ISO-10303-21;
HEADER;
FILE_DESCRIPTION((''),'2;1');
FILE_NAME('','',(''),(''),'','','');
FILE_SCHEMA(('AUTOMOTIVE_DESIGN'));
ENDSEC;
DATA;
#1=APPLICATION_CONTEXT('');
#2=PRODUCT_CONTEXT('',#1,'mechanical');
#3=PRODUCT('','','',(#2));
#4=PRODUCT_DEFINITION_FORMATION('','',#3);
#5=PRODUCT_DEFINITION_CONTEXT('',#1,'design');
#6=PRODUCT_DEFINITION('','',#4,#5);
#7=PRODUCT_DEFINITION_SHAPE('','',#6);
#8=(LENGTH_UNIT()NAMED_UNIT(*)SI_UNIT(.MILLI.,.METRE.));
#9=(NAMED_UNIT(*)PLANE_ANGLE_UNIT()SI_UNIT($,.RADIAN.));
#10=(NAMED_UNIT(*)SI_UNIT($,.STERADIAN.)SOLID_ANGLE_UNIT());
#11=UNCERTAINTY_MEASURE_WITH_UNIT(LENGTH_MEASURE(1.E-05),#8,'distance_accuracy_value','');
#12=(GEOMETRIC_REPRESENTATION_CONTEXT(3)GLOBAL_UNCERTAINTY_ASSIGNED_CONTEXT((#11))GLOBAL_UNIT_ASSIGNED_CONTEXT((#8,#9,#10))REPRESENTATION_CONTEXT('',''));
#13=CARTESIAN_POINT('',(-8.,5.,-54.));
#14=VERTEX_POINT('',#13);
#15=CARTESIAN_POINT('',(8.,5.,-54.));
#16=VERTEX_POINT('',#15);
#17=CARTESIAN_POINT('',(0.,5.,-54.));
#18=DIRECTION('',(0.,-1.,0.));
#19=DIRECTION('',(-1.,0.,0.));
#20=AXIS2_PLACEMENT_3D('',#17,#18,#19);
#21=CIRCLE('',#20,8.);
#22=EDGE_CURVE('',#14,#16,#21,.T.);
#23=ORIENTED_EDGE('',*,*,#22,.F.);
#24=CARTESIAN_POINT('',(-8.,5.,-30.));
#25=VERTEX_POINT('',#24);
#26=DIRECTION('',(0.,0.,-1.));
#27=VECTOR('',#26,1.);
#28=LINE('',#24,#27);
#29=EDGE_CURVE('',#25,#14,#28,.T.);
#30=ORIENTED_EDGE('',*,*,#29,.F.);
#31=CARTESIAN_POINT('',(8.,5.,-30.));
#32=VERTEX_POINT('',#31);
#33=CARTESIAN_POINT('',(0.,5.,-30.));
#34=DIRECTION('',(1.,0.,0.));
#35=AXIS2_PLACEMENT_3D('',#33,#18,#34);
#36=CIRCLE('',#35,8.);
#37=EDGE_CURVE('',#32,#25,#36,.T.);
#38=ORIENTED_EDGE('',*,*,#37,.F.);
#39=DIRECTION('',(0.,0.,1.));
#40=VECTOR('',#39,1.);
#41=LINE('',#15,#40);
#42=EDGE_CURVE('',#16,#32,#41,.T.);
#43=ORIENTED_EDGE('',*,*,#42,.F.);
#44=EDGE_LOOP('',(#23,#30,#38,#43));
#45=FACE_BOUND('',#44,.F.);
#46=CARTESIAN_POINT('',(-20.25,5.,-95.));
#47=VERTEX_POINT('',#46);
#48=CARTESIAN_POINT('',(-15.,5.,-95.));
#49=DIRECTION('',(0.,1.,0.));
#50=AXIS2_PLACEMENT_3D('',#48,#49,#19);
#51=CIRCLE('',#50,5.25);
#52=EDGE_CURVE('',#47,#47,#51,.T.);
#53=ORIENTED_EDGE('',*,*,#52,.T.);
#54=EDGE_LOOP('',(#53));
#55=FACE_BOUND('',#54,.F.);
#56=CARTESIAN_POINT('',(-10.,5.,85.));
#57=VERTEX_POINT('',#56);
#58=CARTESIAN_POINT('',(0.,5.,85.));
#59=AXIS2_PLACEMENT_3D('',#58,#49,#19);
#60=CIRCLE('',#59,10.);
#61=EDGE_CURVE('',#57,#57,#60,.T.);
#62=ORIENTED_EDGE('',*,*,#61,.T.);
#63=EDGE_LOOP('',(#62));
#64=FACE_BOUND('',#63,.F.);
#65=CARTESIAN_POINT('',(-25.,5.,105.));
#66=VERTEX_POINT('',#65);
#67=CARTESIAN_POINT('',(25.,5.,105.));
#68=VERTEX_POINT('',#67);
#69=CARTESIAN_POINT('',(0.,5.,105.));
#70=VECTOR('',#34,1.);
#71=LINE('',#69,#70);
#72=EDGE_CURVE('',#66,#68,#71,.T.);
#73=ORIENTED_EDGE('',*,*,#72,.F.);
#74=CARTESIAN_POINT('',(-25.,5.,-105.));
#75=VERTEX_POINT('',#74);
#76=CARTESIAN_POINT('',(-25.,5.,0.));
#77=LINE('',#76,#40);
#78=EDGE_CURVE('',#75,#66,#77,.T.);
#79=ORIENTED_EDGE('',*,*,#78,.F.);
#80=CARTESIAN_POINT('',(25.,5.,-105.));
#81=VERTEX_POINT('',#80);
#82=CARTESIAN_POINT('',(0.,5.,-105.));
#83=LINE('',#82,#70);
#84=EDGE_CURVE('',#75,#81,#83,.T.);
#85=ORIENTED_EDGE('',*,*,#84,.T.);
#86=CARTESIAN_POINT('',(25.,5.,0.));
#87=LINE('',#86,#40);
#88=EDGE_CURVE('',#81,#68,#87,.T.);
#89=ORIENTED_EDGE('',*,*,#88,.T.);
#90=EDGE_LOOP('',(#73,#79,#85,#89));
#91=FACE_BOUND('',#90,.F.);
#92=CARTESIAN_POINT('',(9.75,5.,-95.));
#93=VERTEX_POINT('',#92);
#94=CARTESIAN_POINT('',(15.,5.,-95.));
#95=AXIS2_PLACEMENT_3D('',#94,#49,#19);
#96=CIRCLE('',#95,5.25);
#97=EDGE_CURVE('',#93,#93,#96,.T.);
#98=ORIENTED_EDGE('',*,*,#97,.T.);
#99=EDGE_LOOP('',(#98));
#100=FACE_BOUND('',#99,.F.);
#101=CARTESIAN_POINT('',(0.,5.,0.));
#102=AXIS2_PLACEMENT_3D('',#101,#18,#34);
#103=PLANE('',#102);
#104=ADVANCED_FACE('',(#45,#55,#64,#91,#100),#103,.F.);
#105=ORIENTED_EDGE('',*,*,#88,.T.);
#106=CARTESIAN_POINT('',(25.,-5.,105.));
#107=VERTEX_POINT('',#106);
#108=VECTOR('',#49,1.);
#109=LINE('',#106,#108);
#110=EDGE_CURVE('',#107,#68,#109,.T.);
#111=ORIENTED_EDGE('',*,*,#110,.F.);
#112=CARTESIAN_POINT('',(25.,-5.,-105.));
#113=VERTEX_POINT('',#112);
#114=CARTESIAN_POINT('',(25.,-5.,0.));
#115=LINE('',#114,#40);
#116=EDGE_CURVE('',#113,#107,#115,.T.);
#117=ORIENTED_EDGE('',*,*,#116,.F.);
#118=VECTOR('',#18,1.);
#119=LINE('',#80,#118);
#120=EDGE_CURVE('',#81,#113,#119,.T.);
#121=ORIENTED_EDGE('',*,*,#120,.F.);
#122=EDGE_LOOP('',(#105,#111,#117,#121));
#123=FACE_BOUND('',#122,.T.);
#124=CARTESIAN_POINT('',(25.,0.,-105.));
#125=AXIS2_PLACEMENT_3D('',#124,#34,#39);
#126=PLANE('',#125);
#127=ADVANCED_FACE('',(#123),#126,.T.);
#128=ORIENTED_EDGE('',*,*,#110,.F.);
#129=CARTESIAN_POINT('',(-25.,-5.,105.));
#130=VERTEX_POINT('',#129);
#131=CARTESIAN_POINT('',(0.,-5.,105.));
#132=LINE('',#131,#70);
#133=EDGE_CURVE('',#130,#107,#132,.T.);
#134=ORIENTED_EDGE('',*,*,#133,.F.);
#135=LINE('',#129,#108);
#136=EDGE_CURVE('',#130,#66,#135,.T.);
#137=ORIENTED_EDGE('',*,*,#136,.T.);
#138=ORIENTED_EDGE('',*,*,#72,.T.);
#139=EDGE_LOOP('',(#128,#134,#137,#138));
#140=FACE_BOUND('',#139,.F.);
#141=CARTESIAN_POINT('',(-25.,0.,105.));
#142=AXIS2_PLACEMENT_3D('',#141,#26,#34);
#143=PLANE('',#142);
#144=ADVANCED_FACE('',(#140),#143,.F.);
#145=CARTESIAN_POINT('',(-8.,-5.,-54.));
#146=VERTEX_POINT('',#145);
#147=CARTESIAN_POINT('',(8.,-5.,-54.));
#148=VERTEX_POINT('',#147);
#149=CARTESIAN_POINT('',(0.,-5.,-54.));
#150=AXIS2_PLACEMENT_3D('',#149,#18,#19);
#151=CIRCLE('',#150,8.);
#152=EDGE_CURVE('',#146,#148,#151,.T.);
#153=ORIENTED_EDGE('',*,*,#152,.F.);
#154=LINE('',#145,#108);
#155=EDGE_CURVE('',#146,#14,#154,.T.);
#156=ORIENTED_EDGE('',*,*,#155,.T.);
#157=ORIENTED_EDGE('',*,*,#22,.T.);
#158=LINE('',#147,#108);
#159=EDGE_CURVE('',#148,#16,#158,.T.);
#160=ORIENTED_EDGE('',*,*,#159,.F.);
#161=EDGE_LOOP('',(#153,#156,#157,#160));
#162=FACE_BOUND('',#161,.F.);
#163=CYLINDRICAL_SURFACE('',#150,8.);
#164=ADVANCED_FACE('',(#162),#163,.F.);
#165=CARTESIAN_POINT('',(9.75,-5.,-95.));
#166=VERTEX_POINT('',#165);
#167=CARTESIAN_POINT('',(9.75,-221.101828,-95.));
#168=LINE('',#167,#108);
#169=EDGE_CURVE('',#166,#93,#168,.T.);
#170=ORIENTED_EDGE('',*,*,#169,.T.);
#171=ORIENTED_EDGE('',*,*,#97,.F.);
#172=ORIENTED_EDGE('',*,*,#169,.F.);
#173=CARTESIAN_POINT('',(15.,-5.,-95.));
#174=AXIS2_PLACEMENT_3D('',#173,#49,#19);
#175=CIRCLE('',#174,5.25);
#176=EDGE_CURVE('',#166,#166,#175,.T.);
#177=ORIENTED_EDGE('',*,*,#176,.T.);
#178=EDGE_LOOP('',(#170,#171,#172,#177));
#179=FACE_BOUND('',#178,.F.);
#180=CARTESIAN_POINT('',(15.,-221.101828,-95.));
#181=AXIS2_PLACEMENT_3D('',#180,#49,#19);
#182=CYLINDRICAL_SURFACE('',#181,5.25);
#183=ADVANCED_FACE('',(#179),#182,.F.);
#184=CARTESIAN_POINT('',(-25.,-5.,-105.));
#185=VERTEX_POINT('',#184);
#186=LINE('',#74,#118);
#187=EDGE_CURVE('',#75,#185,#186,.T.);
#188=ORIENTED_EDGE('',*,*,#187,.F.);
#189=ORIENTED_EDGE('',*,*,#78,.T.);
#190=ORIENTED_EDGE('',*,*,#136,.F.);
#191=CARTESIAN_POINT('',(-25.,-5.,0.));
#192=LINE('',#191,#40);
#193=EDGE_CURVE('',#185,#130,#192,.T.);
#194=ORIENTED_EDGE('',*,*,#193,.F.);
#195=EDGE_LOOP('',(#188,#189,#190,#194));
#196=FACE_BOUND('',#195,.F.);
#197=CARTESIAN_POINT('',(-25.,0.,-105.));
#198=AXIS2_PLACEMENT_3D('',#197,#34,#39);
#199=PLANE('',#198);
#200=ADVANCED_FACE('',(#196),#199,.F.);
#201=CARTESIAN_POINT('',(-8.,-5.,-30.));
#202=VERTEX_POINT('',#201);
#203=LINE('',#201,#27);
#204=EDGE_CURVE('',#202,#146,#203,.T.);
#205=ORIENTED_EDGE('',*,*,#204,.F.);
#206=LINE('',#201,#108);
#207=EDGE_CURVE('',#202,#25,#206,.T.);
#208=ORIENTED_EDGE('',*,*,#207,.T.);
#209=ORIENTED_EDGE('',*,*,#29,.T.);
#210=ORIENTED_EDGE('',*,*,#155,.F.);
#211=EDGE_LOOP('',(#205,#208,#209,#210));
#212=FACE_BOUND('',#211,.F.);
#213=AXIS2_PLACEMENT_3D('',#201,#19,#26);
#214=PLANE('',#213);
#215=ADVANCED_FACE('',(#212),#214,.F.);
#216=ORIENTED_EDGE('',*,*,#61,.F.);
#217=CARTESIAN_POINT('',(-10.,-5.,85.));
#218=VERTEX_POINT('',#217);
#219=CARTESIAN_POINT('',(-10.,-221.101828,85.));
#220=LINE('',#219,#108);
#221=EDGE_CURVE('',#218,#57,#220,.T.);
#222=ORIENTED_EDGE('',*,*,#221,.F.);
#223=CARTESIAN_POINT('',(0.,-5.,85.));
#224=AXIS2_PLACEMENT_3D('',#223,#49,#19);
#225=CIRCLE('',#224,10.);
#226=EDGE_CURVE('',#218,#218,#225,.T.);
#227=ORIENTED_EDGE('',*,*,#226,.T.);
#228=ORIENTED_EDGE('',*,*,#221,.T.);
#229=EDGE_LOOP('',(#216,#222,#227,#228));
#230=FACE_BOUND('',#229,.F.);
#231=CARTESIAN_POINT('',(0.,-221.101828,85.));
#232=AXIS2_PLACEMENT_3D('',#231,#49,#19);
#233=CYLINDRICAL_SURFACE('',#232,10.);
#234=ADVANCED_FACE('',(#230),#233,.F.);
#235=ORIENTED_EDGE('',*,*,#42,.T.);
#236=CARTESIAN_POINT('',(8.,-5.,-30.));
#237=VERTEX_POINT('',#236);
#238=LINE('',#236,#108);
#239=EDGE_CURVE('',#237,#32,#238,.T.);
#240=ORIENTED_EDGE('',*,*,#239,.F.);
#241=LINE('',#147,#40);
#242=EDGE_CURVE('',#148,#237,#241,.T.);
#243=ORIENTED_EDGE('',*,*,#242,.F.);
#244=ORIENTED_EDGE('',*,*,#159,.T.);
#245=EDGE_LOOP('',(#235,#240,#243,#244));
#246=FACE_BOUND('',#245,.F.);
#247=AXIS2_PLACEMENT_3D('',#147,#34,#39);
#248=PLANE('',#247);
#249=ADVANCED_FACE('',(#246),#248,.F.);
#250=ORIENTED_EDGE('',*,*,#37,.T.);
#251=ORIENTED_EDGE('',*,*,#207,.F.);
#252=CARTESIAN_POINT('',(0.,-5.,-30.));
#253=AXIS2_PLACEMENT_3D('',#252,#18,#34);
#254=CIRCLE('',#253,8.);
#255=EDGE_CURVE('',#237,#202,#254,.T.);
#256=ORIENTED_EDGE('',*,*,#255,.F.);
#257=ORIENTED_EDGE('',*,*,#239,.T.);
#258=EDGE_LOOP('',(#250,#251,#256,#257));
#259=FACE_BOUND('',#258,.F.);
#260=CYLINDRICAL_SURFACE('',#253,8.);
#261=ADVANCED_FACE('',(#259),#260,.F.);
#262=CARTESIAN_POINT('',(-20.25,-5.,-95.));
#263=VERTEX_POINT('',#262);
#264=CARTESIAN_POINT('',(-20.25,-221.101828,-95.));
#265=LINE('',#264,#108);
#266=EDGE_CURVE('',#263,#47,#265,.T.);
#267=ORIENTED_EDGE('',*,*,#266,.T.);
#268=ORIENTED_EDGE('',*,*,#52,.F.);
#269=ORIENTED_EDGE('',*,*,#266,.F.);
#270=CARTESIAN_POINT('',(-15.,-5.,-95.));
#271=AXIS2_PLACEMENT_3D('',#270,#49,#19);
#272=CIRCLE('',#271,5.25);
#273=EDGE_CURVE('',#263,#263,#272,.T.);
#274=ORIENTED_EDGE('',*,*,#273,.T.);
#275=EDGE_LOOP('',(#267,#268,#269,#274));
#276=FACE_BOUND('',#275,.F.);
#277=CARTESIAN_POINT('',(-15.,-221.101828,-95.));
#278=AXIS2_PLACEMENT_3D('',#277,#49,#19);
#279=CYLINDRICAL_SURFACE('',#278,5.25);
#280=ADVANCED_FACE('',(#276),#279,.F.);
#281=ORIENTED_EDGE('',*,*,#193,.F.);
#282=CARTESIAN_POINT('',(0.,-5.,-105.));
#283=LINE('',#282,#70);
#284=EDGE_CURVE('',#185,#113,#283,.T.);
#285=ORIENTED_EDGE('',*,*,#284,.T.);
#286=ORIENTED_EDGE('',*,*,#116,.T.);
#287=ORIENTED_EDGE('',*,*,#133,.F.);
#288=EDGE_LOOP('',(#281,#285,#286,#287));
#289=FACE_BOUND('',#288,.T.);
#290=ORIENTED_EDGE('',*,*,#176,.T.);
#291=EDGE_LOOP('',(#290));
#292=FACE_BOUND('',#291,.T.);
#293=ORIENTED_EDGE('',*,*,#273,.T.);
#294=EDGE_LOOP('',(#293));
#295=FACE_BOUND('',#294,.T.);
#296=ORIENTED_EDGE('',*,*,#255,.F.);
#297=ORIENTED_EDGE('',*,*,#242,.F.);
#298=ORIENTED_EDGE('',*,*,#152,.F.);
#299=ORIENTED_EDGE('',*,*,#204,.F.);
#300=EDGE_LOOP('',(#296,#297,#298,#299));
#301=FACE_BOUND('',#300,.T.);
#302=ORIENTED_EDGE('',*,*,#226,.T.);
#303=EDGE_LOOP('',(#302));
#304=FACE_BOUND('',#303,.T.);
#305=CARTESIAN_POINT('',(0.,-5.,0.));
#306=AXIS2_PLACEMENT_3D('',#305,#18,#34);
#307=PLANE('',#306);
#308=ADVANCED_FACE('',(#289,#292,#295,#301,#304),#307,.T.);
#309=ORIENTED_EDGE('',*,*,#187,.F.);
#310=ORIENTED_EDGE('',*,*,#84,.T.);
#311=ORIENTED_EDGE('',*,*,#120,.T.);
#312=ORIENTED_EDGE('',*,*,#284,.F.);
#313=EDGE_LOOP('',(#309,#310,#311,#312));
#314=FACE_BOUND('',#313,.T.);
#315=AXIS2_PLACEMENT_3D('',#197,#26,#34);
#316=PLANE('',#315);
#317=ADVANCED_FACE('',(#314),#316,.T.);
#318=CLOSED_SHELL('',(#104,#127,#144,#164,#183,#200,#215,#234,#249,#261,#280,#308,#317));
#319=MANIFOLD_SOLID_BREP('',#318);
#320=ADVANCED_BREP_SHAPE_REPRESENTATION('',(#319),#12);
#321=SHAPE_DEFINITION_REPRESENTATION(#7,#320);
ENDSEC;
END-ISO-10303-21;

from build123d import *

# Parameters (mm, degrees)
F0_W     = 50
F0_H     = 210
F1_DEPTH = 5
F3_D     = 20
F4_DEPTH = 10
F6_D     = 10.5


with BuildPart() as f1:
    # F0 (on Front) → F1 (new body, symmetric)
    with BuildSketch(Plane.XZ):
        Rectangle(F0_W, F0_H)
    extrude(amount=F1_DEPTH, both=True)

    # F3 (through all)
    with Locations(Plane.XZ.offset(5)):
        with Locations((0, 85)):
            Hole(F3_D / 2)

    # F2 (on face) → F4 (cut, through all)
    with BuildSketch(Plane.XZ.offset(5)):
        with BuildLine():
            Line((8, -54), (8, -30))
            ThreePointArc((8, -30), (0, -22), (-8, -30))
            Line((-8, -30), (-8, -54))
            ThreePointArc((-8, -54), (0, -62), (8, -54))
        make_face()
    extrude(amount=-F4_DEPTH, mode=Mode.SUBTRACT)

    # F6 (through all)
    with Locations(Plane.XZ.offset(5)):
        with Locations((-15, -95), (15, -95)):
            Hole(F6_D / 2)


solid = f1.part
